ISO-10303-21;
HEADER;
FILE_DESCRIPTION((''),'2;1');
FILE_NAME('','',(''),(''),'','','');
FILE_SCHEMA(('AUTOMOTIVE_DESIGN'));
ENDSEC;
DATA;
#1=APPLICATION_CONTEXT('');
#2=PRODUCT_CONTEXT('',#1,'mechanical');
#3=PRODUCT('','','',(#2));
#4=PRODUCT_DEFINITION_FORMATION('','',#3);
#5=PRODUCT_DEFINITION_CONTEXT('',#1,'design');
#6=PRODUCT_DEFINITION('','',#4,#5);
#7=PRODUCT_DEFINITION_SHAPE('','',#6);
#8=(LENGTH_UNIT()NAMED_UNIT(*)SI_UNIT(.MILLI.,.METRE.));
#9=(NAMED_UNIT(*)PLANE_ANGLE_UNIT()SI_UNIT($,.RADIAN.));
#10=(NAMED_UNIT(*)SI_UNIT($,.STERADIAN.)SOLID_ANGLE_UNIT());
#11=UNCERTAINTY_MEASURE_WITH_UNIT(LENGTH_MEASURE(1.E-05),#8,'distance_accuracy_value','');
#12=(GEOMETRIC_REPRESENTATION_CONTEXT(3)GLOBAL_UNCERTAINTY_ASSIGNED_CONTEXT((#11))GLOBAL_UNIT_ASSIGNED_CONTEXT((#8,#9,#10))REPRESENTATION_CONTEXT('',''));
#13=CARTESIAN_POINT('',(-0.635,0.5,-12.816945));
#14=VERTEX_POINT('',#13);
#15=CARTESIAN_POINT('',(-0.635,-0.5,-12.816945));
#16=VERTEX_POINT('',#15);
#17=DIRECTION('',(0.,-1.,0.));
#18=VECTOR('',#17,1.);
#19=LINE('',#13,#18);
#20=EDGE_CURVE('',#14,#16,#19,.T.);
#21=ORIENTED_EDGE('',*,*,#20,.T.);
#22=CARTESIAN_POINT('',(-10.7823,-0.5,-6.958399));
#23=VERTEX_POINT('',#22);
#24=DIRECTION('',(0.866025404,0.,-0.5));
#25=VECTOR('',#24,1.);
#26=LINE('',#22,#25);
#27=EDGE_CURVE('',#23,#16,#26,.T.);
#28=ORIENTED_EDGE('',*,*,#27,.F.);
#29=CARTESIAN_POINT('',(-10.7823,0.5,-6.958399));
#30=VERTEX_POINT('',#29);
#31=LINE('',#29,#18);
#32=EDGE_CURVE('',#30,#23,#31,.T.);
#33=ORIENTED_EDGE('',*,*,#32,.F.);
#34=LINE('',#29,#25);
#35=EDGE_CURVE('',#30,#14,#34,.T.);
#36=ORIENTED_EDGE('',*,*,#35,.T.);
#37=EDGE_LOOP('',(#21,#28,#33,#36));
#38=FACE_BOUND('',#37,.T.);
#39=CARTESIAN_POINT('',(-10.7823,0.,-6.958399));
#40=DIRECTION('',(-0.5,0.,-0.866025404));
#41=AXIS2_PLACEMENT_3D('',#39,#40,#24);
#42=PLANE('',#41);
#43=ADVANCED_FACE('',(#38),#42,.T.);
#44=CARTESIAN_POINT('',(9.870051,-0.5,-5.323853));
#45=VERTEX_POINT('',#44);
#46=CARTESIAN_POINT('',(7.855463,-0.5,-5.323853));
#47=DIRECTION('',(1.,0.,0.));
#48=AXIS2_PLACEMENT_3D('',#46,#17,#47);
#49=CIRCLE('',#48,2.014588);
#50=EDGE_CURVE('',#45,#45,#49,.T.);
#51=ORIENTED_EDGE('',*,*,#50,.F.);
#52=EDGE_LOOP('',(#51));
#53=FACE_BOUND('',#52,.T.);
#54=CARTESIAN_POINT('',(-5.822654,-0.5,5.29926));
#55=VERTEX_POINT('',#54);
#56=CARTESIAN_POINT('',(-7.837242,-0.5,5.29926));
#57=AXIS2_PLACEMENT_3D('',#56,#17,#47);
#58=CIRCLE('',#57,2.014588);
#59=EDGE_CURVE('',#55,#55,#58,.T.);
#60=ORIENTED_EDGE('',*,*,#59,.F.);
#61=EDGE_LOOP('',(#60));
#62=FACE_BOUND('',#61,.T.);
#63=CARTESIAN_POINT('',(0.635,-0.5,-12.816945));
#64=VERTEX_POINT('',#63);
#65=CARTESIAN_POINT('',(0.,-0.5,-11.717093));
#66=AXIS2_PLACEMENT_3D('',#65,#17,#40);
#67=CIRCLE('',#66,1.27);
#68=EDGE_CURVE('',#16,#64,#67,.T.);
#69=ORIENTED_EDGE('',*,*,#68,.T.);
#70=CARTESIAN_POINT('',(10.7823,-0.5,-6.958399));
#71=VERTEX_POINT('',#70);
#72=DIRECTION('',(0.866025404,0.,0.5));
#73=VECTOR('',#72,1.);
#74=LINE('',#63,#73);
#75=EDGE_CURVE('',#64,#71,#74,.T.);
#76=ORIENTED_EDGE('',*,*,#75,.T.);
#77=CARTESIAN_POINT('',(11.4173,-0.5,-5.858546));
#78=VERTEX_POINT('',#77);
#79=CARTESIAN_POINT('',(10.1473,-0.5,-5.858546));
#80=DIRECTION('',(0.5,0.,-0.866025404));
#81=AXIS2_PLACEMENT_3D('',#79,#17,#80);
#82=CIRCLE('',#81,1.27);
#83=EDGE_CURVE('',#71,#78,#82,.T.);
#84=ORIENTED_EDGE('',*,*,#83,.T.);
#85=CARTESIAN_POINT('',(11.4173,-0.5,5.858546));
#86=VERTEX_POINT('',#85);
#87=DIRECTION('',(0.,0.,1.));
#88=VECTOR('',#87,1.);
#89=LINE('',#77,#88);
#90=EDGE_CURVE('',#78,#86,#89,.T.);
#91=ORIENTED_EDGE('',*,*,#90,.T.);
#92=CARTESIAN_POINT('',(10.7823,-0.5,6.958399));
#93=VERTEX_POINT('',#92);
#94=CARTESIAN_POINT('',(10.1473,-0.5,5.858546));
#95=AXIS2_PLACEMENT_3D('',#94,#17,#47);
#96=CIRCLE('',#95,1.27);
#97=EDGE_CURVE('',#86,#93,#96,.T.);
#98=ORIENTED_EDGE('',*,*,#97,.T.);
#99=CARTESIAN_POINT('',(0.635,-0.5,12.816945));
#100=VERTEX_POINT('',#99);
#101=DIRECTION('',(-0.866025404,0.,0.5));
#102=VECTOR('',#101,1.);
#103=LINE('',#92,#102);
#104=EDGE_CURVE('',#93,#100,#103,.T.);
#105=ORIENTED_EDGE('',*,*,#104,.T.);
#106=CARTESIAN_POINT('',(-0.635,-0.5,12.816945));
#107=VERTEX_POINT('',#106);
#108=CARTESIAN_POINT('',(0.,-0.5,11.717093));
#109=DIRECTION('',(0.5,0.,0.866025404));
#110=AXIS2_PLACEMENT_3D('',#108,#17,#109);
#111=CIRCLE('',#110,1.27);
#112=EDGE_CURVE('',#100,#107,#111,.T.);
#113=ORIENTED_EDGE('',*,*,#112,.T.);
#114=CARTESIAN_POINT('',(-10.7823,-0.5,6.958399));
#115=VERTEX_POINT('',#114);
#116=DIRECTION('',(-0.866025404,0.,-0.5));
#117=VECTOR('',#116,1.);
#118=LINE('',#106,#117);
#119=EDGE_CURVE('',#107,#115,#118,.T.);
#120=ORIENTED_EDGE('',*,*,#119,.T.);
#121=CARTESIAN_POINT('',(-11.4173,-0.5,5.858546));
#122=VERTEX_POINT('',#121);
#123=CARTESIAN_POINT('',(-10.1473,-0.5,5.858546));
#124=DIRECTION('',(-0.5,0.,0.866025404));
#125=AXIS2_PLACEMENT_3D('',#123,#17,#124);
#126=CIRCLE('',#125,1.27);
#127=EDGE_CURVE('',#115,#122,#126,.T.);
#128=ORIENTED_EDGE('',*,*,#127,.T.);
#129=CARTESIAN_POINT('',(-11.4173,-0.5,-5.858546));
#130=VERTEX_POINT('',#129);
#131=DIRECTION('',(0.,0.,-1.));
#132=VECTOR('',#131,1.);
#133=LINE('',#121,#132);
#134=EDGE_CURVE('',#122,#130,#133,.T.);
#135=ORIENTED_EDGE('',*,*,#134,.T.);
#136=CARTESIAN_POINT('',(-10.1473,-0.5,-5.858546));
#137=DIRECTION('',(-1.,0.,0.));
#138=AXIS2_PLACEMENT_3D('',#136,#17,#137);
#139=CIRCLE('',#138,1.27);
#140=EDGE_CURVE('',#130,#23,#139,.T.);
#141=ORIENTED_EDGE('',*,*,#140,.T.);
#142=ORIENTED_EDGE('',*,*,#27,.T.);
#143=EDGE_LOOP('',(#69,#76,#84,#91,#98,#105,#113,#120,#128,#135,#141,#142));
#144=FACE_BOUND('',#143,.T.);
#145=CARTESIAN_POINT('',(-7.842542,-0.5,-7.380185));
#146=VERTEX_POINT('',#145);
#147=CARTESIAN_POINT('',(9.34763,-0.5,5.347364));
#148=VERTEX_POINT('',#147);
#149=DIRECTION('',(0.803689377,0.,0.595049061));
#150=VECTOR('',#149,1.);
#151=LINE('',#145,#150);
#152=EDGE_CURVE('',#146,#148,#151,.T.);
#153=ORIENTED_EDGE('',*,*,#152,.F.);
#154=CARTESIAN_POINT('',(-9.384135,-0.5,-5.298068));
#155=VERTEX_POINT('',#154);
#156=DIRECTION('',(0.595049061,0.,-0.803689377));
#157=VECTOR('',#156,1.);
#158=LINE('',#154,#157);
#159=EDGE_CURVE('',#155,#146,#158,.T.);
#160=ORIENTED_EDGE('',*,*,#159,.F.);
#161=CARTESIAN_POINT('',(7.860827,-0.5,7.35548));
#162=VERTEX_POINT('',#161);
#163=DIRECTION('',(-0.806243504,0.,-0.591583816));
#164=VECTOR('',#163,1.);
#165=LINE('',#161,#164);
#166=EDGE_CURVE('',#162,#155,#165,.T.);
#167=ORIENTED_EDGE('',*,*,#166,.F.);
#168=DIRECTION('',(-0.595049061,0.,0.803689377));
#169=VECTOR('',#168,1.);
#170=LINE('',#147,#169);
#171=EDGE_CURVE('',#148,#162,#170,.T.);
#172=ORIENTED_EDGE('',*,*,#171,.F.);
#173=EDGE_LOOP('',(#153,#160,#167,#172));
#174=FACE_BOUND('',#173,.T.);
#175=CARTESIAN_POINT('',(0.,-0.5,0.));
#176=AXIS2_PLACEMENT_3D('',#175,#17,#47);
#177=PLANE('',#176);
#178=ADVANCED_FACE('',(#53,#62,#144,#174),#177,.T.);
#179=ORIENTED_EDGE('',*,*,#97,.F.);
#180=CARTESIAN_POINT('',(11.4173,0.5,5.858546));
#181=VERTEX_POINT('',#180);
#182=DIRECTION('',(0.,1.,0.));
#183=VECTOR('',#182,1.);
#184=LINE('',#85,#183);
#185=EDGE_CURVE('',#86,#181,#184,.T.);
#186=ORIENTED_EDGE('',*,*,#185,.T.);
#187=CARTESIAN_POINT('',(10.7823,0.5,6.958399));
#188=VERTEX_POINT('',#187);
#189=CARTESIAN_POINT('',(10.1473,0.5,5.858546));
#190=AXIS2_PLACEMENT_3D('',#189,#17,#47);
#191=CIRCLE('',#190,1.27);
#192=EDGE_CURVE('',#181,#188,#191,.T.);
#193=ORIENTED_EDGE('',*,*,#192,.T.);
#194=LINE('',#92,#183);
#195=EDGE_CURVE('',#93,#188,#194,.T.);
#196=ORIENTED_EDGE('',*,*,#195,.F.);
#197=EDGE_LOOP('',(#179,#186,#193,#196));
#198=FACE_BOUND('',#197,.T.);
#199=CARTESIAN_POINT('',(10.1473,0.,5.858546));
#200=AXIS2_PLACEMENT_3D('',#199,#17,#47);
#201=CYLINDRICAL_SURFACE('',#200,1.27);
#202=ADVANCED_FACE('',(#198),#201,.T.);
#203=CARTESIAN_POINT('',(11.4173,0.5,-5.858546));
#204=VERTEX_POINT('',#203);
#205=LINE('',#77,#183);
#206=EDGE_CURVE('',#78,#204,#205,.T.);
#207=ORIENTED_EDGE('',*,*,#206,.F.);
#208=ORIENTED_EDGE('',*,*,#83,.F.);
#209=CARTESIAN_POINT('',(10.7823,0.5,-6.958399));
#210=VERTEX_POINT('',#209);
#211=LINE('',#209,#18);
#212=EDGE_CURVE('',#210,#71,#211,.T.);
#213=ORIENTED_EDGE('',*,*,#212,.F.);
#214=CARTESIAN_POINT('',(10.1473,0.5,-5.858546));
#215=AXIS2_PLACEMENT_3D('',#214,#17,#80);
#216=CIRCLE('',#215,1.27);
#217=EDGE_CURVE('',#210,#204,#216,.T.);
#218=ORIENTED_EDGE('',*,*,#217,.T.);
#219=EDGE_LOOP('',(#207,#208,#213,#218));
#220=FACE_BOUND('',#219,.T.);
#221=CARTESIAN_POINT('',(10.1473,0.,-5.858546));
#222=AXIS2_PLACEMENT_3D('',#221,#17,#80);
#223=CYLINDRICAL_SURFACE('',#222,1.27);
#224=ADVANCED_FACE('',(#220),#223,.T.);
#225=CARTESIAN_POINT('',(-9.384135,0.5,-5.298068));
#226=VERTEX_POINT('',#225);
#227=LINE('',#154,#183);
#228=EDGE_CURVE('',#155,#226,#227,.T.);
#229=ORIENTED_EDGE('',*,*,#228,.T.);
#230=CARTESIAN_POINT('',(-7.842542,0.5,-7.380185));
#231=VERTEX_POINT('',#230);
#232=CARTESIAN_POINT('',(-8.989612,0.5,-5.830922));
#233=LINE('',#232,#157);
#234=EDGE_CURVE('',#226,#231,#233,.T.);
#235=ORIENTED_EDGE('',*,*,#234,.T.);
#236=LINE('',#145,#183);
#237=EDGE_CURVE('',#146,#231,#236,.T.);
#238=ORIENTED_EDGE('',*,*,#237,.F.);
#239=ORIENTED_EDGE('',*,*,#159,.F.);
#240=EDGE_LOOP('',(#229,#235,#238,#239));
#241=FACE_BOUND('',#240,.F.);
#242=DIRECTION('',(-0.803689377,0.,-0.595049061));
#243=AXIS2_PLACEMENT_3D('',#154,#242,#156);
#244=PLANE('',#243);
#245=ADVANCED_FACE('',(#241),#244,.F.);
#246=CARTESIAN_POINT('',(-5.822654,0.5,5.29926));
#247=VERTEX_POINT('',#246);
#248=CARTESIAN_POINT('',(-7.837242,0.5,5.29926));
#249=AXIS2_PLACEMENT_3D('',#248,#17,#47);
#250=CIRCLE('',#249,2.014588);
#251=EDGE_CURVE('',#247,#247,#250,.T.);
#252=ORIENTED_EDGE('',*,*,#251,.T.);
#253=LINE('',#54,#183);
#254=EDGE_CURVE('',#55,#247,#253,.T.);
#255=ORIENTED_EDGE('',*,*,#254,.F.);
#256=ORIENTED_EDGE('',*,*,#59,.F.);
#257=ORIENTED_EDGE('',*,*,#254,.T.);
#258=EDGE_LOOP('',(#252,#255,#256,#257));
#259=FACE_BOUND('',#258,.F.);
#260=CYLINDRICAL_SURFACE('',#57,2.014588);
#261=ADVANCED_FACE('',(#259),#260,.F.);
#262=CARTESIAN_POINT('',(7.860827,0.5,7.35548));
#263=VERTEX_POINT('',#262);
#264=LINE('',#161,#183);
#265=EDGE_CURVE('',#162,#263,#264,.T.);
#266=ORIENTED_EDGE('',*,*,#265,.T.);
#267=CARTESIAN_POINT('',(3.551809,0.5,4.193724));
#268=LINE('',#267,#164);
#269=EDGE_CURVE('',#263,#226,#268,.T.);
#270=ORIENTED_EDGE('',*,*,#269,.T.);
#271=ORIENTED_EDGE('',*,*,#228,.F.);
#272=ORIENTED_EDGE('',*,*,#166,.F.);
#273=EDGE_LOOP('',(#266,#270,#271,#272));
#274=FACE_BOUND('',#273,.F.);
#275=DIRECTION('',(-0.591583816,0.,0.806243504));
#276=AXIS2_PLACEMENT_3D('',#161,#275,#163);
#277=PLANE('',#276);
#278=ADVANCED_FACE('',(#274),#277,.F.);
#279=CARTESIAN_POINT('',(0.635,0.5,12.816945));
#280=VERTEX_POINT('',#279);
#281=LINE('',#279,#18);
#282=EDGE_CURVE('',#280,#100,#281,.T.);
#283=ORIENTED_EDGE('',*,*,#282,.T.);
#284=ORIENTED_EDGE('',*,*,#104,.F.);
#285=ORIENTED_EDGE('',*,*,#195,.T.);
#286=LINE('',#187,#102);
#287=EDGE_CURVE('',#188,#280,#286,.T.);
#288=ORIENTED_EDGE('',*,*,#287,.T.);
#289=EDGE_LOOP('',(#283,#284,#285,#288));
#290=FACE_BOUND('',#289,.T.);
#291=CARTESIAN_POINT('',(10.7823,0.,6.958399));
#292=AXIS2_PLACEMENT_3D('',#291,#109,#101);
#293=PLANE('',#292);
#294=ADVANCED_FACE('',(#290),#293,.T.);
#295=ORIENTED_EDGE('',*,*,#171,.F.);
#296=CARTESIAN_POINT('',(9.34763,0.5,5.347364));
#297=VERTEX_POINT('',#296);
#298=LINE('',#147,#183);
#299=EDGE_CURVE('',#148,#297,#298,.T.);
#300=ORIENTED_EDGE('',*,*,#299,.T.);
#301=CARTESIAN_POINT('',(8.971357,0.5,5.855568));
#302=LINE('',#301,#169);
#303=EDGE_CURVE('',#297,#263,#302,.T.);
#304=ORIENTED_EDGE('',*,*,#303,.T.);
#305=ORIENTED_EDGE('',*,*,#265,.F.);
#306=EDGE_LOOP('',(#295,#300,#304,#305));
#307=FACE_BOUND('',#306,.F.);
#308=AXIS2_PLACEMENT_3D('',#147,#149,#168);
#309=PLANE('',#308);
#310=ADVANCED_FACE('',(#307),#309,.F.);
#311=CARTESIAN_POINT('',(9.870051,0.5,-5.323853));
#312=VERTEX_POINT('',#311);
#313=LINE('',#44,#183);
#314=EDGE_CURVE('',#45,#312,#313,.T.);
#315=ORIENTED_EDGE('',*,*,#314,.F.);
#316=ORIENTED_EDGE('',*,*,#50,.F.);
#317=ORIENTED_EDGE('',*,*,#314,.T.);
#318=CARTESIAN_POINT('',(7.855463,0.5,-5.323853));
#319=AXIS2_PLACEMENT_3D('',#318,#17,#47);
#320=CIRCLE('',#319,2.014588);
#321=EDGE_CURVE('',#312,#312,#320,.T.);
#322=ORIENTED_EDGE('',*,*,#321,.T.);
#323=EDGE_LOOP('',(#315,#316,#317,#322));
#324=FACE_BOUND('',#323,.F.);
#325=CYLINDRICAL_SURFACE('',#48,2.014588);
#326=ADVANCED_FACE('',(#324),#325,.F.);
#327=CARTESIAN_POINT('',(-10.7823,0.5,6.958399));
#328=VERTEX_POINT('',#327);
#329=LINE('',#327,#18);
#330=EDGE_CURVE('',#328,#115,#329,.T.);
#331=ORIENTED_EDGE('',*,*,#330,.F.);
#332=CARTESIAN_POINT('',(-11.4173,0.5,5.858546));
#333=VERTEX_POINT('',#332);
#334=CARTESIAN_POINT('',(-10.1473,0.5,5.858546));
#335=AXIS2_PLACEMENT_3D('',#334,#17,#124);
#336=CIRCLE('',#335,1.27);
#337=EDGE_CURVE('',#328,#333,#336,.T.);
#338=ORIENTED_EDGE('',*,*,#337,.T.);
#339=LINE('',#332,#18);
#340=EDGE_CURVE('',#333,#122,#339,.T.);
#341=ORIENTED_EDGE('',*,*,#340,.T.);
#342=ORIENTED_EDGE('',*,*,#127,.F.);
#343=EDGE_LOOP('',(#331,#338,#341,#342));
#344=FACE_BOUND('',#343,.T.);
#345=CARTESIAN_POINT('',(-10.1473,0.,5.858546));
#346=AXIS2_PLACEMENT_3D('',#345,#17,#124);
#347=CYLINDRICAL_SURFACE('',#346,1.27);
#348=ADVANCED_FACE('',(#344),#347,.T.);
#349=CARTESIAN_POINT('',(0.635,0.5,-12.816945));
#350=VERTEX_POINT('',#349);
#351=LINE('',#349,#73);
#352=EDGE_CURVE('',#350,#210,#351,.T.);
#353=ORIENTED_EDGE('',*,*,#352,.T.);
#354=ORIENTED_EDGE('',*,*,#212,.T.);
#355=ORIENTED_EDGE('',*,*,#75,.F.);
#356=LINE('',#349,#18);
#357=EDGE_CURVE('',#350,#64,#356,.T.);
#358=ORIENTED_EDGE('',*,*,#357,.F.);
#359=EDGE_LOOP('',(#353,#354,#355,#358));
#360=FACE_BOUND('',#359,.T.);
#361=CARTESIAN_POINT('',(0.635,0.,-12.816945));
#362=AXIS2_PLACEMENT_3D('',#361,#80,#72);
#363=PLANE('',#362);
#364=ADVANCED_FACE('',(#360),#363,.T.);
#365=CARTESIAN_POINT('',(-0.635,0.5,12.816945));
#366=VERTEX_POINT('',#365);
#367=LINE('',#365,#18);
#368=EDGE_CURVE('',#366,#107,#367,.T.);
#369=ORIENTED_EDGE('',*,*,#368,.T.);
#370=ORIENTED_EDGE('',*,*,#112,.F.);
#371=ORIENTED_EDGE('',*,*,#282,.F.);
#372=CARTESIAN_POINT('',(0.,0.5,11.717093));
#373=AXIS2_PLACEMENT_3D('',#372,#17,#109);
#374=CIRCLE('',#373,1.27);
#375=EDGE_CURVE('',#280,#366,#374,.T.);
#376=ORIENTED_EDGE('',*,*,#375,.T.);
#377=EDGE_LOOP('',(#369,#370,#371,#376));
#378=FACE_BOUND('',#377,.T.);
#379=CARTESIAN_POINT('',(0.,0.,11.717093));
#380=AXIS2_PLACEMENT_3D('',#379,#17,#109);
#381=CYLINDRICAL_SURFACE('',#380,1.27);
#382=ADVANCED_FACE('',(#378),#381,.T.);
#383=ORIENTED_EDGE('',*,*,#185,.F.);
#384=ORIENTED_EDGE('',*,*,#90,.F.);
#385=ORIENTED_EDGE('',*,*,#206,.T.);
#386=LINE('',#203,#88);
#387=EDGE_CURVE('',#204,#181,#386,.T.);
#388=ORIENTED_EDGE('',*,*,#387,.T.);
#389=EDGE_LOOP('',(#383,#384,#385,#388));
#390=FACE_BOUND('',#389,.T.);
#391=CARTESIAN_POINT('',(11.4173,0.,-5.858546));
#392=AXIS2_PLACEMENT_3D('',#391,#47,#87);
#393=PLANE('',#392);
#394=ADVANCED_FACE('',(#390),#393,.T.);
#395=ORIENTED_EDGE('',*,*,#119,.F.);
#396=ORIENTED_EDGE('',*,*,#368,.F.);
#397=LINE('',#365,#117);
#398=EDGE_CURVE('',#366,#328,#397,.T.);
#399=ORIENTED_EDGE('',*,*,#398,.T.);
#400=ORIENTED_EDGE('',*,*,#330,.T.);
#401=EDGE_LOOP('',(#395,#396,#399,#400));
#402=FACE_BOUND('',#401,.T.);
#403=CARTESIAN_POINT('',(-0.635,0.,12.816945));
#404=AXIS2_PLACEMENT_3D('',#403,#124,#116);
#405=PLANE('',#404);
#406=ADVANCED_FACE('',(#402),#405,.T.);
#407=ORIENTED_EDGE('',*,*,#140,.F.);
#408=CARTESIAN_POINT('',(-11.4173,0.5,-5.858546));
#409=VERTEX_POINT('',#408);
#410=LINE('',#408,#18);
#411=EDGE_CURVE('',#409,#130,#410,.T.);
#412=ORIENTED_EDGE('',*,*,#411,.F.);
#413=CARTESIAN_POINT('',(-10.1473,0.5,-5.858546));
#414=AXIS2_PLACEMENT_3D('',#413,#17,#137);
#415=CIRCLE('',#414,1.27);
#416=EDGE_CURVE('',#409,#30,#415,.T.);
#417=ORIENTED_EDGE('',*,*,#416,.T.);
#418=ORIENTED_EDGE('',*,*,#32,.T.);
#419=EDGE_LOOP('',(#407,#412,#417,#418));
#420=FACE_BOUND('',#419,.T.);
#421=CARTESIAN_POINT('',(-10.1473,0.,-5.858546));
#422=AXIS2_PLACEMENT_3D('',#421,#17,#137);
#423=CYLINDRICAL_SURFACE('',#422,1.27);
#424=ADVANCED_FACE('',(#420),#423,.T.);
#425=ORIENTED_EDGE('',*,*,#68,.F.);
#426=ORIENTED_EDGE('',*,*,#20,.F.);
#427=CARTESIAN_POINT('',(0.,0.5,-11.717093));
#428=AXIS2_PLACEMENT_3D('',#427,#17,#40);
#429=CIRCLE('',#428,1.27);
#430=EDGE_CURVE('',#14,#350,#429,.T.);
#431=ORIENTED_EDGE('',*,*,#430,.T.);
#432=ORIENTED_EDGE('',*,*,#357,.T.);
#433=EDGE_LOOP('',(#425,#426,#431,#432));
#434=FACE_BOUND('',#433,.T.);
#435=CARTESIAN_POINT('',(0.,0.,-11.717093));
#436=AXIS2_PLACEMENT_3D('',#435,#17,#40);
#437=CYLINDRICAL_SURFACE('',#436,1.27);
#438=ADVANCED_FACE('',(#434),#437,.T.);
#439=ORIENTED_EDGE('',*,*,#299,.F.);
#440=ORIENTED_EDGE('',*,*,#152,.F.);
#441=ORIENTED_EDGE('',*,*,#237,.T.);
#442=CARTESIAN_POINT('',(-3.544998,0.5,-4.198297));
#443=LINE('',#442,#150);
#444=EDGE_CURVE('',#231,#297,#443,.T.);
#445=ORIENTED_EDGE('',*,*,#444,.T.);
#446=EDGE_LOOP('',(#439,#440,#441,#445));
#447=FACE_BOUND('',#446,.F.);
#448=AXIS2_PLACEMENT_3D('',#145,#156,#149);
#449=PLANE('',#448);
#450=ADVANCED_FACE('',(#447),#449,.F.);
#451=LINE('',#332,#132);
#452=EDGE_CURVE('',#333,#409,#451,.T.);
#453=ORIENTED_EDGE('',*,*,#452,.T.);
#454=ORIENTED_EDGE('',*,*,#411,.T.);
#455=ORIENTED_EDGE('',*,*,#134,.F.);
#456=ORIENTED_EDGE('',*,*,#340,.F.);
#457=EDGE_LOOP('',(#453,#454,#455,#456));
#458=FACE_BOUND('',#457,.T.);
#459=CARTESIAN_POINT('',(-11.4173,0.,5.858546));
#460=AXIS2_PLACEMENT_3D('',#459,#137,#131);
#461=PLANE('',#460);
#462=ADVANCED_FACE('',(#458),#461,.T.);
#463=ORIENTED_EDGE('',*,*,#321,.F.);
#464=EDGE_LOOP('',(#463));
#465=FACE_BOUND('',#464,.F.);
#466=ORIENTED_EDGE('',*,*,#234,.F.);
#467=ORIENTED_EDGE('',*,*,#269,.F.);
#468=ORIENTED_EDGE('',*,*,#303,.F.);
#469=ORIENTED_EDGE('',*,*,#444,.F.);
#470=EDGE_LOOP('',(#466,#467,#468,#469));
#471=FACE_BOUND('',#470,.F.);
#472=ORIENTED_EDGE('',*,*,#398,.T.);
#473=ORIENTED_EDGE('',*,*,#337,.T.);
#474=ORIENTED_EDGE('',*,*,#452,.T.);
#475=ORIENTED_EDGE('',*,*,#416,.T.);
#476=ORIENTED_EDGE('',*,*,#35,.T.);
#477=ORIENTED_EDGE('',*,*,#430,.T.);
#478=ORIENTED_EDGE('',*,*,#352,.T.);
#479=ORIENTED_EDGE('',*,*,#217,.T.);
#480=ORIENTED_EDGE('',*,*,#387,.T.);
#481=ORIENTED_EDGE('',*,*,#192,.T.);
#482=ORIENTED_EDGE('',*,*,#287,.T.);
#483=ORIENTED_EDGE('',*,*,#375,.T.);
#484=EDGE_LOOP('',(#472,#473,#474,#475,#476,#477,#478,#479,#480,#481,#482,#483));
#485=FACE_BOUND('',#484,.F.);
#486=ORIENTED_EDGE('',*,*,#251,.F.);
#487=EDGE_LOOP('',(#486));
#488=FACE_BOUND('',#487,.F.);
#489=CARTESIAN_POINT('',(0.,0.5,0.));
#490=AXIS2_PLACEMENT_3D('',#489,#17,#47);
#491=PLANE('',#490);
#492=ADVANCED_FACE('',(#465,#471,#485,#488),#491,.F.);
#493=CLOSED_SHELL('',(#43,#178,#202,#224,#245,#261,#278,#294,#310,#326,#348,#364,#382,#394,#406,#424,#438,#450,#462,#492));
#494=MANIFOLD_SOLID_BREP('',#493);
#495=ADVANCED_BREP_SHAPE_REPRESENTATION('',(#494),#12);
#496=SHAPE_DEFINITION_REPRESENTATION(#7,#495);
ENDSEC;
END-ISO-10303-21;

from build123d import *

# Parameters (mm, degrees)
F2_DEPTH = 0.50000027
F3_R     = 2.0145883
F4_DEPTH = 1.00100054


with BuildPart() as f2:
    # F1 (on face) → F2 (new body, symmetric)
    with BuildSketch(Plane.XZ):
        with BuildLine():
            Line((10.7823, 6.9583986494), (0.635, 12.8169450359))
            ThreePointArc((0.635, 12.8169450359), (0, 12.9870927731), (-0.635, 12.8169450359))
            Line((-0.635, 12.8169450359), (-10.7823, 6.9583986494))
            ThreePointArc((-10.7823, 6.9583986494), (-11.2471522628, 6.4935463865), (-11.4173, 5.8585463865))
            Line((-11.4173, 5.8585463865), (-11.4173, -5.8585463865))
            ThreePointArc((-11.4173, -5.8585463865), (-11.2471522628, -6.4935463865), (-10.7823, -6.9583986494))
            Line((-10.7823, -6.9583986494), (-0.635, -12.8169450359))
            ThreePointArc((-0.635, -12.8169450359), (0, -12.9870927731), (0.635, -12.8169450359))
            Line((0.635, -12.8169450359), (10.7823, -6.9583986494))
            ThreePointArc((10.7823, -6.9583986494), (11.2471522628, -6.4935463865), (11.4173, -5.8585463865))
            Line((11.4173, -5.8585463865), (11.4173, 5.8585463865))
            ThreePointArc((11.4173, 5.8585463865), (11.2471522628, 6.4935463865), (10.7823, 6.9583986494))
        make_face()
    extrude(amount=F2_DEPTH, both=True)

    # F3 (on face) → F4 (cut, through all)
    with BuildSketch(Plane.XZ.offset(0.50000027)):
        with Locations((-7.8372424936, 5.2992602071)):
            Circle(F3_R)
        with Locations((7.855462988, -5.3238531125)):
            Circle(F3_R)
        Polygon((9.347630384, 5.3473638789), (7.8608274008, 7.3554802523), (-9.3841351775, -5.2980676102), (-7.8425419815, -7.3801851288), align=None)
    extrude(amount=-F4_DEPTH, mode=Mode.SUBTRACT)


solid = f2.part
